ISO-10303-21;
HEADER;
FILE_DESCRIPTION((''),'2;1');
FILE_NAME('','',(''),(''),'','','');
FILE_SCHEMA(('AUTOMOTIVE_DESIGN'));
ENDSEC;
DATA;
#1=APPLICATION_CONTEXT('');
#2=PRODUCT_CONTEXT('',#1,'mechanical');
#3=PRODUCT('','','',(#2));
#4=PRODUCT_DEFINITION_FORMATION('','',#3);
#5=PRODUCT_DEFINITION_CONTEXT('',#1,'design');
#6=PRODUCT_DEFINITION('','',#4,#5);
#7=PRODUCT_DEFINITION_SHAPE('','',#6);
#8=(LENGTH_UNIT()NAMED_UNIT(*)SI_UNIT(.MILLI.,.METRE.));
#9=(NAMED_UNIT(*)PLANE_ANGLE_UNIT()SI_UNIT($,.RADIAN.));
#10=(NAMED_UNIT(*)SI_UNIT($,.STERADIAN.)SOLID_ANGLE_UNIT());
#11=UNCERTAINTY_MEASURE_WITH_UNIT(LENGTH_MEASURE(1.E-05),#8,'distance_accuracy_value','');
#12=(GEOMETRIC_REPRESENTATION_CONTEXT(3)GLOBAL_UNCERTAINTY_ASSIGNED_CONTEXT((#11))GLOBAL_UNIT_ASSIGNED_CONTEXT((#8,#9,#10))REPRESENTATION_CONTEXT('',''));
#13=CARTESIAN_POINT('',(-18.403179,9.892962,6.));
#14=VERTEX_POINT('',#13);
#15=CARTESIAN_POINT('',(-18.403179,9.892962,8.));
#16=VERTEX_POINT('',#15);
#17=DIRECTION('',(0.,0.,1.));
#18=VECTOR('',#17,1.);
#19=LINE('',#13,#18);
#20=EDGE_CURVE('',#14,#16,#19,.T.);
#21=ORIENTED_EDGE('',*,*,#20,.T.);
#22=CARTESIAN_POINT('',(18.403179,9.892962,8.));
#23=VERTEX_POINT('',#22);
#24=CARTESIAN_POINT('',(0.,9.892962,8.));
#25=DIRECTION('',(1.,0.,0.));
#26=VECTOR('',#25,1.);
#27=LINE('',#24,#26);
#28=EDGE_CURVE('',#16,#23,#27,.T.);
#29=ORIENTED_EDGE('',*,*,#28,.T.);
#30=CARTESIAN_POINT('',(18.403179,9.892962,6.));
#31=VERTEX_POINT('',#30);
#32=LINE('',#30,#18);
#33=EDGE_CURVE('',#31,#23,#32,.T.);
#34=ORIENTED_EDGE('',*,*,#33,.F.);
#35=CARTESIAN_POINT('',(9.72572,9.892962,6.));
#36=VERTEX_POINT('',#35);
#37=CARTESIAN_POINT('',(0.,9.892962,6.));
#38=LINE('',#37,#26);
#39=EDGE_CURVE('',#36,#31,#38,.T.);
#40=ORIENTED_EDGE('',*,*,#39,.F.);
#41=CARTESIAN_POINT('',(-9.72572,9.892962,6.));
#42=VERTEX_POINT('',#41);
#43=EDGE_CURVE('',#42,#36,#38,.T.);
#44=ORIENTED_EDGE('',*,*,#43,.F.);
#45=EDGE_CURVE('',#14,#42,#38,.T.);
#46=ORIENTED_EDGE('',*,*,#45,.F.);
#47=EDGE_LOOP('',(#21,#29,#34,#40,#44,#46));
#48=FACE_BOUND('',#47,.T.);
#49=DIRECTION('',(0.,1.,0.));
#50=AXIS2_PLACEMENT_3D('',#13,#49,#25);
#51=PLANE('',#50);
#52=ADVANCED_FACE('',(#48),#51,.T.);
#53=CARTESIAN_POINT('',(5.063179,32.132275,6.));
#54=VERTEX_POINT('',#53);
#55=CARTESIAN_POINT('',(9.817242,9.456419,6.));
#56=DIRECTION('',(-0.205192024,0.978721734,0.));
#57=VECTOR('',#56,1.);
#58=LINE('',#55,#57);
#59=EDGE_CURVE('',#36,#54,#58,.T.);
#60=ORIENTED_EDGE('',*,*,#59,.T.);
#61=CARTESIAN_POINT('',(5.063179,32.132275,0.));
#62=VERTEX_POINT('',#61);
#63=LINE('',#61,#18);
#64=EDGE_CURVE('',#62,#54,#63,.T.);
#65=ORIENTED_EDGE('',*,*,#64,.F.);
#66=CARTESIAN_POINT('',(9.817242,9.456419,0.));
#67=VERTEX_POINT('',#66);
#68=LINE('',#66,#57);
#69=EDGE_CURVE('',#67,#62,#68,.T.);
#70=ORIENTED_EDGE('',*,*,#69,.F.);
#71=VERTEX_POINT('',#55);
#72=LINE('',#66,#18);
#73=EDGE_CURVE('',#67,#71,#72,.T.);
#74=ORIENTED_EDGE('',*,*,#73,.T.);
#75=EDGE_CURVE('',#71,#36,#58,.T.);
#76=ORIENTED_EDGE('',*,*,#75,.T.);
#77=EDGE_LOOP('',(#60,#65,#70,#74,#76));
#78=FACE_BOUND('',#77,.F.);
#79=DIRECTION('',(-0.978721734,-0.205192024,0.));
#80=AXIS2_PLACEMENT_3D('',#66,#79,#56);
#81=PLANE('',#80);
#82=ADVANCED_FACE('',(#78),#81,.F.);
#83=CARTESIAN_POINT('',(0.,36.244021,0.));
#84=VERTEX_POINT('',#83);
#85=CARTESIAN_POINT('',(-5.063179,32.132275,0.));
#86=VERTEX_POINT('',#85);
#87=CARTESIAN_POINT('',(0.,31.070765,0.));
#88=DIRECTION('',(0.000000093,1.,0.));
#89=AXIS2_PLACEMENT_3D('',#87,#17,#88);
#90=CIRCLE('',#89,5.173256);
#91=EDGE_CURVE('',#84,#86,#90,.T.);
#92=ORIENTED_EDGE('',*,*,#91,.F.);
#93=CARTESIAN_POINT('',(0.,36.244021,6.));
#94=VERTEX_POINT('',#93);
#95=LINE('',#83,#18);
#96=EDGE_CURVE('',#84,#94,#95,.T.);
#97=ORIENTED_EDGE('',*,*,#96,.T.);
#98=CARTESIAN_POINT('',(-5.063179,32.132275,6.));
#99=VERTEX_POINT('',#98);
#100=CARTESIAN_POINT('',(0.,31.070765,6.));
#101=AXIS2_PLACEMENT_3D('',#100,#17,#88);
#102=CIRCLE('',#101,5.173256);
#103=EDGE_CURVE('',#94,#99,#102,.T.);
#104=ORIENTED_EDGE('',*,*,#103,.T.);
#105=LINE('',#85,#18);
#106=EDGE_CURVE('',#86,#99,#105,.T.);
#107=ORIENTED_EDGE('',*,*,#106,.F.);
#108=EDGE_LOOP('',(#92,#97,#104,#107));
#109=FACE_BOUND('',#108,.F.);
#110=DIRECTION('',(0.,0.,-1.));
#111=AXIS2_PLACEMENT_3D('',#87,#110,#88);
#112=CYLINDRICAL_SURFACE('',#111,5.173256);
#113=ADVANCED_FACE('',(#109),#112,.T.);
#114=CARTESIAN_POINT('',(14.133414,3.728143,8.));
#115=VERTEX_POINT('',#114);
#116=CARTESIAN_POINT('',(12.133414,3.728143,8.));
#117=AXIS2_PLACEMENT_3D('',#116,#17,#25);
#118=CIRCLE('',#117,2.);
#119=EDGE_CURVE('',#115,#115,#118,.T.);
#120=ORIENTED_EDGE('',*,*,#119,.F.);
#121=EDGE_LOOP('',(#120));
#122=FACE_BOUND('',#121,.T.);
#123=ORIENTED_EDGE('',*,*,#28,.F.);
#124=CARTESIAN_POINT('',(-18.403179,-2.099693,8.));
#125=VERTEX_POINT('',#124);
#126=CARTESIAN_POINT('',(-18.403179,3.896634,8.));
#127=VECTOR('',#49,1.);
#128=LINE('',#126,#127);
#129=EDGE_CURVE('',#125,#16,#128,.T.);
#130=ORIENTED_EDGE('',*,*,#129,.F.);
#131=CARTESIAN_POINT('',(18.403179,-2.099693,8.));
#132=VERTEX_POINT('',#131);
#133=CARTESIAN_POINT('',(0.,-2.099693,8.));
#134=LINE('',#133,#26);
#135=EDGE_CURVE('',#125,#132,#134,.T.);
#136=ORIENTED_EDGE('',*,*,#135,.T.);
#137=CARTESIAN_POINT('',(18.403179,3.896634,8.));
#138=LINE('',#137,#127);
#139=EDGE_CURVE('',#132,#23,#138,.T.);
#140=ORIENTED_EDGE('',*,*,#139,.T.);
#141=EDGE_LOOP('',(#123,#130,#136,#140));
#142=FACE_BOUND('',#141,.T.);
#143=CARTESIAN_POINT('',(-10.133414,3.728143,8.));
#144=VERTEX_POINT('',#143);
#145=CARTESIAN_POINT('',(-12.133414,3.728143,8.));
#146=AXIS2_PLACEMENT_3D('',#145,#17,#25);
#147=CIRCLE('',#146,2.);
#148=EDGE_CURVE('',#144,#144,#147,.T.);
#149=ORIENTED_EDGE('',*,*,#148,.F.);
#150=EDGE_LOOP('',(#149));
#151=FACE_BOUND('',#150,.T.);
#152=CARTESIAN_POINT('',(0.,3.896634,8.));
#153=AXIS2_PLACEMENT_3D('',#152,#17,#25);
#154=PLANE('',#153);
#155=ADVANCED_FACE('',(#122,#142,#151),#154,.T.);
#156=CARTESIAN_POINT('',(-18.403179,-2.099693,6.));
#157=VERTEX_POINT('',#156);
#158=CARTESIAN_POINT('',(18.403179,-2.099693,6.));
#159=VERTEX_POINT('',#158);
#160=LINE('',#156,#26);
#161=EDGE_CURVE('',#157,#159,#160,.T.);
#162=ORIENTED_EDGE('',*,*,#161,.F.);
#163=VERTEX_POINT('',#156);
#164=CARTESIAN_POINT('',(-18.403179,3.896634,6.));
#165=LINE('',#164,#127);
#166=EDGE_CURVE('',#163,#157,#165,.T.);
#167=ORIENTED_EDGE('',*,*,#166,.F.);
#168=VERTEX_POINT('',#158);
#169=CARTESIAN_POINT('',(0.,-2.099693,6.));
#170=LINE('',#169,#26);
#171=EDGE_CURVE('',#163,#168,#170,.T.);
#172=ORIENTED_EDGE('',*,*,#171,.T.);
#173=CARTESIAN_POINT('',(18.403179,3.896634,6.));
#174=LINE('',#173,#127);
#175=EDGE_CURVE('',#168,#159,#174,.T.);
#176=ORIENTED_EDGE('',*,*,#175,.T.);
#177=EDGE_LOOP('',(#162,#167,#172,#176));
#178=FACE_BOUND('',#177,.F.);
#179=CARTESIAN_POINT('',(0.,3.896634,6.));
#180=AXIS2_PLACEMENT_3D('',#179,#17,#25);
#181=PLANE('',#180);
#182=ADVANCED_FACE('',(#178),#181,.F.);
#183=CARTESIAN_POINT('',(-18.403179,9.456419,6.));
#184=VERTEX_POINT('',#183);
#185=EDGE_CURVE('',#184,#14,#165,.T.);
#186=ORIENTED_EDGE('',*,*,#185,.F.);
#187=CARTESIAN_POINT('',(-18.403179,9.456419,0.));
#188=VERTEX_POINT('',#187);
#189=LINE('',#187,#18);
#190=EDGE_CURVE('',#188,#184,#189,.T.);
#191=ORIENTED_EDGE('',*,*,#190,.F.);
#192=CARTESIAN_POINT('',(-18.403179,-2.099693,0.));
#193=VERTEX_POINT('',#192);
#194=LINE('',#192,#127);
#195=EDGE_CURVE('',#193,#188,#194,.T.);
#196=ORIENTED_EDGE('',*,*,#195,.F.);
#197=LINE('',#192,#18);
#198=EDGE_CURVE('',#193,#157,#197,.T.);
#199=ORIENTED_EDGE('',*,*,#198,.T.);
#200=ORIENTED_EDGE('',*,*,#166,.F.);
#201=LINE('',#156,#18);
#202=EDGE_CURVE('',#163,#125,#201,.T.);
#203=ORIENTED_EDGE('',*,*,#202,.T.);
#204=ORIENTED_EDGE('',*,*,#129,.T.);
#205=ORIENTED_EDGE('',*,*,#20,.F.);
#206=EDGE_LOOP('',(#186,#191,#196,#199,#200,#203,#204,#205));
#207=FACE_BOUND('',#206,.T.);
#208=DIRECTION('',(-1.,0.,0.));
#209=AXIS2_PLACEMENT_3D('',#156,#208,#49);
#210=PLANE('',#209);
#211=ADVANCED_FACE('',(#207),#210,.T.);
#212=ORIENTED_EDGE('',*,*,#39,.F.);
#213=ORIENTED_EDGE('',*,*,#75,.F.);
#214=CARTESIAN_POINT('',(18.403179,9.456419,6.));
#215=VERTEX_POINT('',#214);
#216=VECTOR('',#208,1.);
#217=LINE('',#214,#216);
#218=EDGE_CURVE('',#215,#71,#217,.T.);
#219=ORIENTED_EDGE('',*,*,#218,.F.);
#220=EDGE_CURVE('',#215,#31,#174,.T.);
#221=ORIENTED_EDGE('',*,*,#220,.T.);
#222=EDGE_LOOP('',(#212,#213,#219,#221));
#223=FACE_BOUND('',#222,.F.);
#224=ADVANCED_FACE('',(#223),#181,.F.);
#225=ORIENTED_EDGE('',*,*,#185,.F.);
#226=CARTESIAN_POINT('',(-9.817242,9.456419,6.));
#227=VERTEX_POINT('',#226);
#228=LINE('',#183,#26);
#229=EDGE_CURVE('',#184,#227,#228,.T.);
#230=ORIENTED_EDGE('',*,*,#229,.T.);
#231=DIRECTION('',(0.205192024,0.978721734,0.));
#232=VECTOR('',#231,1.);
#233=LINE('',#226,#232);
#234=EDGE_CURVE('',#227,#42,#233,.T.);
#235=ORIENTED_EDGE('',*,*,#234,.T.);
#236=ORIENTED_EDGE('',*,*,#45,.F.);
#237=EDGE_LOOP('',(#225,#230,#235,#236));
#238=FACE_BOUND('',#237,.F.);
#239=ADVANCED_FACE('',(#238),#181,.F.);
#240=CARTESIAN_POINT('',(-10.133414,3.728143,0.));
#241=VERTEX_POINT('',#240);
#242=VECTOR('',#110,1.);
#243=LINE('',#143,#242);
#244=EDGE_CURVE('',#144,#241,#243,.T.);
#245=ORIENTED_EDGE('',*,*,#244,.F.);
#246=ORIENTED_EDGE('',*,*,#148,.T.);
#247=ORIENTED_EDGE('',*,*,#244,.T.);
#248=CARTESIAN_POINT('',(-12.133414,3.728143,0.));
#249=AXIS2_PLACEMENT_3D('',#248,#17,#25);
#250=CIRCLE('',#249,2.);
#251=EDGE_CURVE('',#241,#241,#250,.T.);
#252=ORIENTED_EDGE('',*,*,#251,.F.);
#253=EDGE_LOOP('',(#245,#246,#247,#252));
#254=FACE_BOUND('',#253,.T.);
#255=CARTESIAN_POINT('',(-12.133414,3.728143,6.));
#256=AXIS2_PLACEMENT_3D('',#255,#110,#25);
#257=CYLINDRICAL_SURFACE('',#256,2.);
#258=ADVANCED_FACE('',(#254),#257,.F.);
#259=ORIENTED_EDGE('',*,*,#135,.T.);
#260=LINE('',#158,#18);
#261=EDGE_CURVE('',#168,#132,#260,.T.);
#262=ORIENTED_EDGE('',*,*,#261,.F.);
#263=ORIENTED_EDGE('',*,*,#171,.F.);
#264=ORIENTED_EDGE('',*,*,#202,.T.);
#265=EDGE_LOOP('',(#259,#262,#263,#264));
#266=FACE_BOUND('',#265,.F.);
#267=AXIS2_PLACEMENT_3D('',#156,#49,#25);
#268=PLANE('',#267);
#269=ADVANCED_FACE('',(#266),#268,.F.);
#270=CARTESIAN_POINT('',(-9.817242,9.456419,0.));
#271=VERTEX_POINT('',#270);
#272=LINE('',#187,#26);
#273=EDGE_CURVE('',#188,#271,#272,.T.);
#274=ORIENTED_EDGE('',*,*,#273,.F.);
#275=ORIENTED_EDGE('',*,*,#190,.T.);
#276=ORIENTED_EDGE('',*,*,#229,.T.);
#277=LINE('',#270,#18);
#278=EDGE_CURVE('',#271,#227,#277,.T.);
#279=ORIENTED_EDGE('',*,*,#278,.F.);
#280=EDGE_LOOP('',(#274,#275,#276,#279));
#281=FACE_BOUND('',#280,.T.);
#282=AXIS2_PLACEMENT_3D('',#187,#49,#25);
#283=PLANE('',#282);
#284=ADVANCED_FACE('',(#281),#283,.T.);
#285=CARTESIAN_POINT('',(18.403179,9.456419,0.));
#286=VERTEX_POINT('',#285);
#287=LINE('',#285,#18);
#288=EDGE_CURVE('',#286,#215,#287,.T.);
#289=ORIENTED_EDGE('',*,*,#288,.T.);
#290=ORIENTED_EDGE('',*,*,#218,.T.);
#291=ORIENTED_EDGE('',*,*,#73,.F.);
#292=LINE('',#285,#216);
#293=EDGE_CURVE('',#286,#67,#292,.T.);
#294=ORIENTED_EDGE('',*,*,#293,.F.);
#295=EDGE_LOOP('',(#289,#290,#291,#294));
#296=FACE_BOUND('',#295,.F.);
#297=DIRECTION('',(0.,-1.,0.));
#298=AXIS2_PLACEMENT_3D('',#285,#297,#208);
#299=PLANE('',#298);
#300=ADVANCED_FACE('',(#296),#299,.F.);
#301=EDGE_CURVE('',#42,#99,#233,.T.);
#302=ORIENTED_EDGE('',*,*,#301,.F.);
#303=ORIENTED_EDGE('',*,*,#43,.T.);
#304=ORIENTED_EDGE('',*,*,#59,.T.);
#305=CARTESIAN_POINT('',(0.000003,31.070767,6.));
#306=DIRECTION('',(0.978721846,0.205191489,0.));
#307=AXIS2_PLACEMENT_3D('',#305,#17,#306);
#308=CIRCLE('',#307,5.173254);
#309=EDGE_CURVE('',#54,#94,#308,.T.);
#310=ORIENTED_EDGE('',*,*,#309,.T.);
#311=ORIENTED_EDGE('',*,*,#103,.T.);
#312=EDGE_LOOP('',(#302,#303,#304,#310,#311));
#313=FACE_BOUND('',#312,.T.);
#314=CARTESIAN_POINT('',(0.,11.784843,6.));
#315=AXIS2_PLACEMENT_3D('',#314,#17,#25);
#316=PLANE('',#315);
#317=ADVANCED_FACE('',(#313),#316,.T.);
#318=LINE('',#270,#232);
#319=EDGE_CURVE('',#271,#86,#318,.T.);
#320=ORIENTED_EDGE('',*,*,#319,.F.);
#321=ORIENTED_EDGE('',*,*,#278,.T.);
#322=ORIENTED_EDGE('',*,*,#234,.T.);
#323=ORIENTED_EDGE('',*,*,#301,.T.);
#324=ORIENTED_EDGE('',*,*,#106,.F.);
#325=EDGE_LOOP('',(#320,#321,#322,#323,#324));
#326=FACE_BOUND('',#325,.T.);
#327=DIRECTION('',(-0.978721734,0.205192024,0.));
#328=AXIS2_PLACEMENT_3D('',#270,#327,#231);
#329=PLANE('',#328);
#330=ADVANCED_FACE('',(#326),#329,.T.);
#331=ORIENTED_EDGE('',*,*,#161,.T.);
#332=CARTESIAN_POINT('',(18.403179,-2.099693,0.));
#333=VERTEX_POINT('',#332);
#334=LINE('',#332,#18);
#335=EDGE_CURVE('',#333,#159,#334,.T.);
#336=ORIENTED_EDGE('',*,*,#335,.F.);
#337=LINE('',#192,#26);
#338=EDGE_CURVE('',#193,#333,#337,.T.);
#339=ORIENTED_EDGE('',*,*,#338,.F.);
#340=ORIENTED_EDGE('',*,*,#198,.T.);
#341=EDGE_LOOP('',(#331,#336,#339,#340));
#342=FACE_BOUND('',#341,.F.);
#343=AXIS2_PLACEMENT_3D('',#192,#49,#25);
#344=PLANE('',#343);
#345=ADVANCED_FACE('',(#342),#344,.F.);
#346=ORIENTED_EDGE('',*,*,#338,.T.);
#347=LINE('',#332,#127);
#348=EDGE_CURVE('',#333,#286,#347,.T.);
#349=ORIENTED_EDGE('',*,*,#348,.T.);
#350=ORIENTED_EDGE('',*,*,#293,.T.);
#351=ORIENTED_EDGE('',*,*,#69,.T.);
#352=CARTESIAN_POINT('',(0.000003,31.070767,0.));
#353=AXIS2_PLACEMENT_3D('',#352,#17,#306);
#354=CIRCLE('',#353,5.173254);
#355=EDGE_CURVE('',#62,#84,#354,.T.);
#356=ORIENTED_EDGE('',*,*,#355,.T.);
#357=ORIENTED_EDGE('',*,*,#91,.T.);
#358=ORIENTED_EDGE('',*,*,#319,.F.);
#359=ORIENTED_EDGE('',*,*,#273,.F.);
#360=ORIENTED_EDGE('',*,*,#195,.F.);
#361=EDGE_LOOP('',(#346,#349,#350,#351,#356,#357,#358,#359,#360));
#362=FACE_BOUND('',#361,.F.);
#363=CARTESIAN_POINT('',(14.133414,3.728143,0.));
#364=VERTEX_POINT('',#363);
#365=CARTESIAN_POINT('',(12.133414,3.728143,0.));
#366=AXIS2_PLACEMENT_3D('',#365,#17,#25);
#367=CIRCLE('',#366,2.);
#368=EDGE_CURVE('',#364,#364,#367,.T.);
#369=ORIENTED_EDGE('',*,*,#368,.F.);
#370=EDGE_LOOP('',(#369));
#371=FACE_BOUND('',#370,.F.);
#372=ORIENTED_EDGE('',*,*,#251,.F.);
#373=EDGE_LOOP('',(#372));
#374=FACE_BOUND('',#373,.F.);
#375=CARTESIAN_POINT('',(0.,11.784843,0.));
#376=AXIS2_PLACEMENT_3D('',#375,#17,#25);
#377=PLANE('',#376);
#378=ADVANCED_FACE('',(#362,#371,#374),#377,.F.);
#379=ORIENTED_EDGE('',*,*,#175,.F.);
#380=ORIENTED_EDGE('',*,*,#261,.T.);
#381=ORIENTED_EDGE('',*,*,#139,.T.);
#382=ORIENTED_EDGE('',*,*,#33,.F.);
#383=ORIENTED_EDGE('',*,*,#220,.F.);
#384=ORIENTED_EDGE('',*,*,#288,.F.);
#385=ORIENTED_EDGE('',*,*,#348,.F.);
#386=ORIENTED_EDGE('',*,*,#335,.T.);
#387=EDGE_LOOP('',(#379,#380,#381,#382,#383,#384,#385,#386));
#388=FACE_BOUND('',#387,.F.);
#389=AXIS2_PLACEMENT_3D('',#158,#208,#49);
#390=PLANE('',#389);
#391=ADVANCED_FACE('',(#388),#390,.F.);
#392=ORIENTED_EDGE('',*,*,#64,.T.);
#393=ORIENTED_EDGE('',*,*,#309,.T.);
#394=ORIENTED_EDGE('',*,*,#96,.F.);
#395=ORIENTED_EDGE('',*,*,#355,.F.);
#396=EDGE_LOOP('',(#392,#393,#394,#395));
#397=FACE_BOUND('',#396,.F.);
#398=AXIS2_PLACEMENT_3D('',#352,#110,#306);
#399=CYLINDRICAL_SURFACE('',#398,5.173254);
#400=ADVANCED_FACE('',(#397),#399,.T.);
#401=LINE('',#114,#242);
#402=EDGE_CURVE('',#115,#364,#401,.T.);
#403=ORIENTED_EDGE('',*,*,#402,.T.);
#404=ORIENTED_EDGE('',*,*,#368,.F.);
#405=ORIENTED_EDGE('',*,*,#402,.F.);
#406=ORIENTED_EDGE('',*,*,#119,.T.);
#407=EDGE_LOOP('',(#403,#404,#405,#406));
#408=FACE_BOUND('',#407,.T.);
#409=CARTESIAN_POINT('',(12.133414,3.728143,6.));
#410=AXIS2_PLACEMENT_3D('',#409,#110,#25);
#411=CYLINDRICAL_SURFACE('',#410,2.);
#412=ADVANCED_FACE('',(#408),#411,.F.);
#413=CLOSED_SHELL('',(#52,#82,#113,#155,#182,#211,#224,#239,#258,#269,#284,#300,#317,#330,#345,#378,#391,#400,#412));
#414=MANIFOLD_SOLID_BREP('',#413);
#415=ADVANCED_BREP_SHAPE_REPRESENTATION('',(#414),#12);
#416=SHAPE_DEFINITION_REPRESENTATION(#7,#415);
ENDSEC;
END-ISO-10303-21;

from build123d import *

# Parameters (mm, degrees)
SKETCH001_R  = 2
PAD_DEPTH    = 6
SKETCH_W     = 36.806358
SKETCH_H     = 11.992655
SKETCH_R     = 2
PAD001_DEPTH = 2


with BuildPart() as part:
    # Sketch001 → Pad (new body)
    with BuildSketch(Plane.XY):
        with BuildLine():
            Line((0, -2.099693), (18.403179, -2.099693))
            Line((18.403179, -2.099693), (18.403179, 9.456419))
            Line((18.403179, 9.456419), (9.817242, 9.456419))
            Line((9.817242, 9.456419), (5.063179, 32.132275))
            ThreePointArc((5.063179, 32.132275), (3.261221, 35.086612), (0, 36.244021))
            ThreePointArc((0, 36.244021), (-3.261221, 35.086611), (-5.063179, 32.132275))
            Line((-9.817242, 9.456419), (-5.063179, 32.132275))
            Line((-18.403179, 9.456419), (-9.817242, 9.456419))
            Line((-18.403179, -2.099693), (-18.403179, 9.456419))
            Line((0, -2.099693), (-18.403179, -2.099693))
        make_face()
        with Locations((-12.133414, 3.728143)):
            Circle(SKETCH001_R, mode=Mode.SUBTRACT)
        with Locations((12.133414, 3.728143)):
            Circle(SKETCH001_R, mode=Mode.SUBTRACT)
    extrude(amount=PAD_DEPTH)

    # Sketch → Pad001 (new body)
    with BuildSketch(Plane.XY.offset(6)):
        with Locations((0, 3.896634)):
            Rectangle(SKETCH_W, SKETCH_H)
        with Locations((-12.133414, 3.728143)):
            Circle(SKETCH_R, mode=Mode.SUBTRACT)
        with Locations((12.133414, 3.728143)):
            Circle(SKETCH_R, mode=Mode.SUBTRACT)
    extrude(amount=PAD001_DEPTH)


solid = part.part
